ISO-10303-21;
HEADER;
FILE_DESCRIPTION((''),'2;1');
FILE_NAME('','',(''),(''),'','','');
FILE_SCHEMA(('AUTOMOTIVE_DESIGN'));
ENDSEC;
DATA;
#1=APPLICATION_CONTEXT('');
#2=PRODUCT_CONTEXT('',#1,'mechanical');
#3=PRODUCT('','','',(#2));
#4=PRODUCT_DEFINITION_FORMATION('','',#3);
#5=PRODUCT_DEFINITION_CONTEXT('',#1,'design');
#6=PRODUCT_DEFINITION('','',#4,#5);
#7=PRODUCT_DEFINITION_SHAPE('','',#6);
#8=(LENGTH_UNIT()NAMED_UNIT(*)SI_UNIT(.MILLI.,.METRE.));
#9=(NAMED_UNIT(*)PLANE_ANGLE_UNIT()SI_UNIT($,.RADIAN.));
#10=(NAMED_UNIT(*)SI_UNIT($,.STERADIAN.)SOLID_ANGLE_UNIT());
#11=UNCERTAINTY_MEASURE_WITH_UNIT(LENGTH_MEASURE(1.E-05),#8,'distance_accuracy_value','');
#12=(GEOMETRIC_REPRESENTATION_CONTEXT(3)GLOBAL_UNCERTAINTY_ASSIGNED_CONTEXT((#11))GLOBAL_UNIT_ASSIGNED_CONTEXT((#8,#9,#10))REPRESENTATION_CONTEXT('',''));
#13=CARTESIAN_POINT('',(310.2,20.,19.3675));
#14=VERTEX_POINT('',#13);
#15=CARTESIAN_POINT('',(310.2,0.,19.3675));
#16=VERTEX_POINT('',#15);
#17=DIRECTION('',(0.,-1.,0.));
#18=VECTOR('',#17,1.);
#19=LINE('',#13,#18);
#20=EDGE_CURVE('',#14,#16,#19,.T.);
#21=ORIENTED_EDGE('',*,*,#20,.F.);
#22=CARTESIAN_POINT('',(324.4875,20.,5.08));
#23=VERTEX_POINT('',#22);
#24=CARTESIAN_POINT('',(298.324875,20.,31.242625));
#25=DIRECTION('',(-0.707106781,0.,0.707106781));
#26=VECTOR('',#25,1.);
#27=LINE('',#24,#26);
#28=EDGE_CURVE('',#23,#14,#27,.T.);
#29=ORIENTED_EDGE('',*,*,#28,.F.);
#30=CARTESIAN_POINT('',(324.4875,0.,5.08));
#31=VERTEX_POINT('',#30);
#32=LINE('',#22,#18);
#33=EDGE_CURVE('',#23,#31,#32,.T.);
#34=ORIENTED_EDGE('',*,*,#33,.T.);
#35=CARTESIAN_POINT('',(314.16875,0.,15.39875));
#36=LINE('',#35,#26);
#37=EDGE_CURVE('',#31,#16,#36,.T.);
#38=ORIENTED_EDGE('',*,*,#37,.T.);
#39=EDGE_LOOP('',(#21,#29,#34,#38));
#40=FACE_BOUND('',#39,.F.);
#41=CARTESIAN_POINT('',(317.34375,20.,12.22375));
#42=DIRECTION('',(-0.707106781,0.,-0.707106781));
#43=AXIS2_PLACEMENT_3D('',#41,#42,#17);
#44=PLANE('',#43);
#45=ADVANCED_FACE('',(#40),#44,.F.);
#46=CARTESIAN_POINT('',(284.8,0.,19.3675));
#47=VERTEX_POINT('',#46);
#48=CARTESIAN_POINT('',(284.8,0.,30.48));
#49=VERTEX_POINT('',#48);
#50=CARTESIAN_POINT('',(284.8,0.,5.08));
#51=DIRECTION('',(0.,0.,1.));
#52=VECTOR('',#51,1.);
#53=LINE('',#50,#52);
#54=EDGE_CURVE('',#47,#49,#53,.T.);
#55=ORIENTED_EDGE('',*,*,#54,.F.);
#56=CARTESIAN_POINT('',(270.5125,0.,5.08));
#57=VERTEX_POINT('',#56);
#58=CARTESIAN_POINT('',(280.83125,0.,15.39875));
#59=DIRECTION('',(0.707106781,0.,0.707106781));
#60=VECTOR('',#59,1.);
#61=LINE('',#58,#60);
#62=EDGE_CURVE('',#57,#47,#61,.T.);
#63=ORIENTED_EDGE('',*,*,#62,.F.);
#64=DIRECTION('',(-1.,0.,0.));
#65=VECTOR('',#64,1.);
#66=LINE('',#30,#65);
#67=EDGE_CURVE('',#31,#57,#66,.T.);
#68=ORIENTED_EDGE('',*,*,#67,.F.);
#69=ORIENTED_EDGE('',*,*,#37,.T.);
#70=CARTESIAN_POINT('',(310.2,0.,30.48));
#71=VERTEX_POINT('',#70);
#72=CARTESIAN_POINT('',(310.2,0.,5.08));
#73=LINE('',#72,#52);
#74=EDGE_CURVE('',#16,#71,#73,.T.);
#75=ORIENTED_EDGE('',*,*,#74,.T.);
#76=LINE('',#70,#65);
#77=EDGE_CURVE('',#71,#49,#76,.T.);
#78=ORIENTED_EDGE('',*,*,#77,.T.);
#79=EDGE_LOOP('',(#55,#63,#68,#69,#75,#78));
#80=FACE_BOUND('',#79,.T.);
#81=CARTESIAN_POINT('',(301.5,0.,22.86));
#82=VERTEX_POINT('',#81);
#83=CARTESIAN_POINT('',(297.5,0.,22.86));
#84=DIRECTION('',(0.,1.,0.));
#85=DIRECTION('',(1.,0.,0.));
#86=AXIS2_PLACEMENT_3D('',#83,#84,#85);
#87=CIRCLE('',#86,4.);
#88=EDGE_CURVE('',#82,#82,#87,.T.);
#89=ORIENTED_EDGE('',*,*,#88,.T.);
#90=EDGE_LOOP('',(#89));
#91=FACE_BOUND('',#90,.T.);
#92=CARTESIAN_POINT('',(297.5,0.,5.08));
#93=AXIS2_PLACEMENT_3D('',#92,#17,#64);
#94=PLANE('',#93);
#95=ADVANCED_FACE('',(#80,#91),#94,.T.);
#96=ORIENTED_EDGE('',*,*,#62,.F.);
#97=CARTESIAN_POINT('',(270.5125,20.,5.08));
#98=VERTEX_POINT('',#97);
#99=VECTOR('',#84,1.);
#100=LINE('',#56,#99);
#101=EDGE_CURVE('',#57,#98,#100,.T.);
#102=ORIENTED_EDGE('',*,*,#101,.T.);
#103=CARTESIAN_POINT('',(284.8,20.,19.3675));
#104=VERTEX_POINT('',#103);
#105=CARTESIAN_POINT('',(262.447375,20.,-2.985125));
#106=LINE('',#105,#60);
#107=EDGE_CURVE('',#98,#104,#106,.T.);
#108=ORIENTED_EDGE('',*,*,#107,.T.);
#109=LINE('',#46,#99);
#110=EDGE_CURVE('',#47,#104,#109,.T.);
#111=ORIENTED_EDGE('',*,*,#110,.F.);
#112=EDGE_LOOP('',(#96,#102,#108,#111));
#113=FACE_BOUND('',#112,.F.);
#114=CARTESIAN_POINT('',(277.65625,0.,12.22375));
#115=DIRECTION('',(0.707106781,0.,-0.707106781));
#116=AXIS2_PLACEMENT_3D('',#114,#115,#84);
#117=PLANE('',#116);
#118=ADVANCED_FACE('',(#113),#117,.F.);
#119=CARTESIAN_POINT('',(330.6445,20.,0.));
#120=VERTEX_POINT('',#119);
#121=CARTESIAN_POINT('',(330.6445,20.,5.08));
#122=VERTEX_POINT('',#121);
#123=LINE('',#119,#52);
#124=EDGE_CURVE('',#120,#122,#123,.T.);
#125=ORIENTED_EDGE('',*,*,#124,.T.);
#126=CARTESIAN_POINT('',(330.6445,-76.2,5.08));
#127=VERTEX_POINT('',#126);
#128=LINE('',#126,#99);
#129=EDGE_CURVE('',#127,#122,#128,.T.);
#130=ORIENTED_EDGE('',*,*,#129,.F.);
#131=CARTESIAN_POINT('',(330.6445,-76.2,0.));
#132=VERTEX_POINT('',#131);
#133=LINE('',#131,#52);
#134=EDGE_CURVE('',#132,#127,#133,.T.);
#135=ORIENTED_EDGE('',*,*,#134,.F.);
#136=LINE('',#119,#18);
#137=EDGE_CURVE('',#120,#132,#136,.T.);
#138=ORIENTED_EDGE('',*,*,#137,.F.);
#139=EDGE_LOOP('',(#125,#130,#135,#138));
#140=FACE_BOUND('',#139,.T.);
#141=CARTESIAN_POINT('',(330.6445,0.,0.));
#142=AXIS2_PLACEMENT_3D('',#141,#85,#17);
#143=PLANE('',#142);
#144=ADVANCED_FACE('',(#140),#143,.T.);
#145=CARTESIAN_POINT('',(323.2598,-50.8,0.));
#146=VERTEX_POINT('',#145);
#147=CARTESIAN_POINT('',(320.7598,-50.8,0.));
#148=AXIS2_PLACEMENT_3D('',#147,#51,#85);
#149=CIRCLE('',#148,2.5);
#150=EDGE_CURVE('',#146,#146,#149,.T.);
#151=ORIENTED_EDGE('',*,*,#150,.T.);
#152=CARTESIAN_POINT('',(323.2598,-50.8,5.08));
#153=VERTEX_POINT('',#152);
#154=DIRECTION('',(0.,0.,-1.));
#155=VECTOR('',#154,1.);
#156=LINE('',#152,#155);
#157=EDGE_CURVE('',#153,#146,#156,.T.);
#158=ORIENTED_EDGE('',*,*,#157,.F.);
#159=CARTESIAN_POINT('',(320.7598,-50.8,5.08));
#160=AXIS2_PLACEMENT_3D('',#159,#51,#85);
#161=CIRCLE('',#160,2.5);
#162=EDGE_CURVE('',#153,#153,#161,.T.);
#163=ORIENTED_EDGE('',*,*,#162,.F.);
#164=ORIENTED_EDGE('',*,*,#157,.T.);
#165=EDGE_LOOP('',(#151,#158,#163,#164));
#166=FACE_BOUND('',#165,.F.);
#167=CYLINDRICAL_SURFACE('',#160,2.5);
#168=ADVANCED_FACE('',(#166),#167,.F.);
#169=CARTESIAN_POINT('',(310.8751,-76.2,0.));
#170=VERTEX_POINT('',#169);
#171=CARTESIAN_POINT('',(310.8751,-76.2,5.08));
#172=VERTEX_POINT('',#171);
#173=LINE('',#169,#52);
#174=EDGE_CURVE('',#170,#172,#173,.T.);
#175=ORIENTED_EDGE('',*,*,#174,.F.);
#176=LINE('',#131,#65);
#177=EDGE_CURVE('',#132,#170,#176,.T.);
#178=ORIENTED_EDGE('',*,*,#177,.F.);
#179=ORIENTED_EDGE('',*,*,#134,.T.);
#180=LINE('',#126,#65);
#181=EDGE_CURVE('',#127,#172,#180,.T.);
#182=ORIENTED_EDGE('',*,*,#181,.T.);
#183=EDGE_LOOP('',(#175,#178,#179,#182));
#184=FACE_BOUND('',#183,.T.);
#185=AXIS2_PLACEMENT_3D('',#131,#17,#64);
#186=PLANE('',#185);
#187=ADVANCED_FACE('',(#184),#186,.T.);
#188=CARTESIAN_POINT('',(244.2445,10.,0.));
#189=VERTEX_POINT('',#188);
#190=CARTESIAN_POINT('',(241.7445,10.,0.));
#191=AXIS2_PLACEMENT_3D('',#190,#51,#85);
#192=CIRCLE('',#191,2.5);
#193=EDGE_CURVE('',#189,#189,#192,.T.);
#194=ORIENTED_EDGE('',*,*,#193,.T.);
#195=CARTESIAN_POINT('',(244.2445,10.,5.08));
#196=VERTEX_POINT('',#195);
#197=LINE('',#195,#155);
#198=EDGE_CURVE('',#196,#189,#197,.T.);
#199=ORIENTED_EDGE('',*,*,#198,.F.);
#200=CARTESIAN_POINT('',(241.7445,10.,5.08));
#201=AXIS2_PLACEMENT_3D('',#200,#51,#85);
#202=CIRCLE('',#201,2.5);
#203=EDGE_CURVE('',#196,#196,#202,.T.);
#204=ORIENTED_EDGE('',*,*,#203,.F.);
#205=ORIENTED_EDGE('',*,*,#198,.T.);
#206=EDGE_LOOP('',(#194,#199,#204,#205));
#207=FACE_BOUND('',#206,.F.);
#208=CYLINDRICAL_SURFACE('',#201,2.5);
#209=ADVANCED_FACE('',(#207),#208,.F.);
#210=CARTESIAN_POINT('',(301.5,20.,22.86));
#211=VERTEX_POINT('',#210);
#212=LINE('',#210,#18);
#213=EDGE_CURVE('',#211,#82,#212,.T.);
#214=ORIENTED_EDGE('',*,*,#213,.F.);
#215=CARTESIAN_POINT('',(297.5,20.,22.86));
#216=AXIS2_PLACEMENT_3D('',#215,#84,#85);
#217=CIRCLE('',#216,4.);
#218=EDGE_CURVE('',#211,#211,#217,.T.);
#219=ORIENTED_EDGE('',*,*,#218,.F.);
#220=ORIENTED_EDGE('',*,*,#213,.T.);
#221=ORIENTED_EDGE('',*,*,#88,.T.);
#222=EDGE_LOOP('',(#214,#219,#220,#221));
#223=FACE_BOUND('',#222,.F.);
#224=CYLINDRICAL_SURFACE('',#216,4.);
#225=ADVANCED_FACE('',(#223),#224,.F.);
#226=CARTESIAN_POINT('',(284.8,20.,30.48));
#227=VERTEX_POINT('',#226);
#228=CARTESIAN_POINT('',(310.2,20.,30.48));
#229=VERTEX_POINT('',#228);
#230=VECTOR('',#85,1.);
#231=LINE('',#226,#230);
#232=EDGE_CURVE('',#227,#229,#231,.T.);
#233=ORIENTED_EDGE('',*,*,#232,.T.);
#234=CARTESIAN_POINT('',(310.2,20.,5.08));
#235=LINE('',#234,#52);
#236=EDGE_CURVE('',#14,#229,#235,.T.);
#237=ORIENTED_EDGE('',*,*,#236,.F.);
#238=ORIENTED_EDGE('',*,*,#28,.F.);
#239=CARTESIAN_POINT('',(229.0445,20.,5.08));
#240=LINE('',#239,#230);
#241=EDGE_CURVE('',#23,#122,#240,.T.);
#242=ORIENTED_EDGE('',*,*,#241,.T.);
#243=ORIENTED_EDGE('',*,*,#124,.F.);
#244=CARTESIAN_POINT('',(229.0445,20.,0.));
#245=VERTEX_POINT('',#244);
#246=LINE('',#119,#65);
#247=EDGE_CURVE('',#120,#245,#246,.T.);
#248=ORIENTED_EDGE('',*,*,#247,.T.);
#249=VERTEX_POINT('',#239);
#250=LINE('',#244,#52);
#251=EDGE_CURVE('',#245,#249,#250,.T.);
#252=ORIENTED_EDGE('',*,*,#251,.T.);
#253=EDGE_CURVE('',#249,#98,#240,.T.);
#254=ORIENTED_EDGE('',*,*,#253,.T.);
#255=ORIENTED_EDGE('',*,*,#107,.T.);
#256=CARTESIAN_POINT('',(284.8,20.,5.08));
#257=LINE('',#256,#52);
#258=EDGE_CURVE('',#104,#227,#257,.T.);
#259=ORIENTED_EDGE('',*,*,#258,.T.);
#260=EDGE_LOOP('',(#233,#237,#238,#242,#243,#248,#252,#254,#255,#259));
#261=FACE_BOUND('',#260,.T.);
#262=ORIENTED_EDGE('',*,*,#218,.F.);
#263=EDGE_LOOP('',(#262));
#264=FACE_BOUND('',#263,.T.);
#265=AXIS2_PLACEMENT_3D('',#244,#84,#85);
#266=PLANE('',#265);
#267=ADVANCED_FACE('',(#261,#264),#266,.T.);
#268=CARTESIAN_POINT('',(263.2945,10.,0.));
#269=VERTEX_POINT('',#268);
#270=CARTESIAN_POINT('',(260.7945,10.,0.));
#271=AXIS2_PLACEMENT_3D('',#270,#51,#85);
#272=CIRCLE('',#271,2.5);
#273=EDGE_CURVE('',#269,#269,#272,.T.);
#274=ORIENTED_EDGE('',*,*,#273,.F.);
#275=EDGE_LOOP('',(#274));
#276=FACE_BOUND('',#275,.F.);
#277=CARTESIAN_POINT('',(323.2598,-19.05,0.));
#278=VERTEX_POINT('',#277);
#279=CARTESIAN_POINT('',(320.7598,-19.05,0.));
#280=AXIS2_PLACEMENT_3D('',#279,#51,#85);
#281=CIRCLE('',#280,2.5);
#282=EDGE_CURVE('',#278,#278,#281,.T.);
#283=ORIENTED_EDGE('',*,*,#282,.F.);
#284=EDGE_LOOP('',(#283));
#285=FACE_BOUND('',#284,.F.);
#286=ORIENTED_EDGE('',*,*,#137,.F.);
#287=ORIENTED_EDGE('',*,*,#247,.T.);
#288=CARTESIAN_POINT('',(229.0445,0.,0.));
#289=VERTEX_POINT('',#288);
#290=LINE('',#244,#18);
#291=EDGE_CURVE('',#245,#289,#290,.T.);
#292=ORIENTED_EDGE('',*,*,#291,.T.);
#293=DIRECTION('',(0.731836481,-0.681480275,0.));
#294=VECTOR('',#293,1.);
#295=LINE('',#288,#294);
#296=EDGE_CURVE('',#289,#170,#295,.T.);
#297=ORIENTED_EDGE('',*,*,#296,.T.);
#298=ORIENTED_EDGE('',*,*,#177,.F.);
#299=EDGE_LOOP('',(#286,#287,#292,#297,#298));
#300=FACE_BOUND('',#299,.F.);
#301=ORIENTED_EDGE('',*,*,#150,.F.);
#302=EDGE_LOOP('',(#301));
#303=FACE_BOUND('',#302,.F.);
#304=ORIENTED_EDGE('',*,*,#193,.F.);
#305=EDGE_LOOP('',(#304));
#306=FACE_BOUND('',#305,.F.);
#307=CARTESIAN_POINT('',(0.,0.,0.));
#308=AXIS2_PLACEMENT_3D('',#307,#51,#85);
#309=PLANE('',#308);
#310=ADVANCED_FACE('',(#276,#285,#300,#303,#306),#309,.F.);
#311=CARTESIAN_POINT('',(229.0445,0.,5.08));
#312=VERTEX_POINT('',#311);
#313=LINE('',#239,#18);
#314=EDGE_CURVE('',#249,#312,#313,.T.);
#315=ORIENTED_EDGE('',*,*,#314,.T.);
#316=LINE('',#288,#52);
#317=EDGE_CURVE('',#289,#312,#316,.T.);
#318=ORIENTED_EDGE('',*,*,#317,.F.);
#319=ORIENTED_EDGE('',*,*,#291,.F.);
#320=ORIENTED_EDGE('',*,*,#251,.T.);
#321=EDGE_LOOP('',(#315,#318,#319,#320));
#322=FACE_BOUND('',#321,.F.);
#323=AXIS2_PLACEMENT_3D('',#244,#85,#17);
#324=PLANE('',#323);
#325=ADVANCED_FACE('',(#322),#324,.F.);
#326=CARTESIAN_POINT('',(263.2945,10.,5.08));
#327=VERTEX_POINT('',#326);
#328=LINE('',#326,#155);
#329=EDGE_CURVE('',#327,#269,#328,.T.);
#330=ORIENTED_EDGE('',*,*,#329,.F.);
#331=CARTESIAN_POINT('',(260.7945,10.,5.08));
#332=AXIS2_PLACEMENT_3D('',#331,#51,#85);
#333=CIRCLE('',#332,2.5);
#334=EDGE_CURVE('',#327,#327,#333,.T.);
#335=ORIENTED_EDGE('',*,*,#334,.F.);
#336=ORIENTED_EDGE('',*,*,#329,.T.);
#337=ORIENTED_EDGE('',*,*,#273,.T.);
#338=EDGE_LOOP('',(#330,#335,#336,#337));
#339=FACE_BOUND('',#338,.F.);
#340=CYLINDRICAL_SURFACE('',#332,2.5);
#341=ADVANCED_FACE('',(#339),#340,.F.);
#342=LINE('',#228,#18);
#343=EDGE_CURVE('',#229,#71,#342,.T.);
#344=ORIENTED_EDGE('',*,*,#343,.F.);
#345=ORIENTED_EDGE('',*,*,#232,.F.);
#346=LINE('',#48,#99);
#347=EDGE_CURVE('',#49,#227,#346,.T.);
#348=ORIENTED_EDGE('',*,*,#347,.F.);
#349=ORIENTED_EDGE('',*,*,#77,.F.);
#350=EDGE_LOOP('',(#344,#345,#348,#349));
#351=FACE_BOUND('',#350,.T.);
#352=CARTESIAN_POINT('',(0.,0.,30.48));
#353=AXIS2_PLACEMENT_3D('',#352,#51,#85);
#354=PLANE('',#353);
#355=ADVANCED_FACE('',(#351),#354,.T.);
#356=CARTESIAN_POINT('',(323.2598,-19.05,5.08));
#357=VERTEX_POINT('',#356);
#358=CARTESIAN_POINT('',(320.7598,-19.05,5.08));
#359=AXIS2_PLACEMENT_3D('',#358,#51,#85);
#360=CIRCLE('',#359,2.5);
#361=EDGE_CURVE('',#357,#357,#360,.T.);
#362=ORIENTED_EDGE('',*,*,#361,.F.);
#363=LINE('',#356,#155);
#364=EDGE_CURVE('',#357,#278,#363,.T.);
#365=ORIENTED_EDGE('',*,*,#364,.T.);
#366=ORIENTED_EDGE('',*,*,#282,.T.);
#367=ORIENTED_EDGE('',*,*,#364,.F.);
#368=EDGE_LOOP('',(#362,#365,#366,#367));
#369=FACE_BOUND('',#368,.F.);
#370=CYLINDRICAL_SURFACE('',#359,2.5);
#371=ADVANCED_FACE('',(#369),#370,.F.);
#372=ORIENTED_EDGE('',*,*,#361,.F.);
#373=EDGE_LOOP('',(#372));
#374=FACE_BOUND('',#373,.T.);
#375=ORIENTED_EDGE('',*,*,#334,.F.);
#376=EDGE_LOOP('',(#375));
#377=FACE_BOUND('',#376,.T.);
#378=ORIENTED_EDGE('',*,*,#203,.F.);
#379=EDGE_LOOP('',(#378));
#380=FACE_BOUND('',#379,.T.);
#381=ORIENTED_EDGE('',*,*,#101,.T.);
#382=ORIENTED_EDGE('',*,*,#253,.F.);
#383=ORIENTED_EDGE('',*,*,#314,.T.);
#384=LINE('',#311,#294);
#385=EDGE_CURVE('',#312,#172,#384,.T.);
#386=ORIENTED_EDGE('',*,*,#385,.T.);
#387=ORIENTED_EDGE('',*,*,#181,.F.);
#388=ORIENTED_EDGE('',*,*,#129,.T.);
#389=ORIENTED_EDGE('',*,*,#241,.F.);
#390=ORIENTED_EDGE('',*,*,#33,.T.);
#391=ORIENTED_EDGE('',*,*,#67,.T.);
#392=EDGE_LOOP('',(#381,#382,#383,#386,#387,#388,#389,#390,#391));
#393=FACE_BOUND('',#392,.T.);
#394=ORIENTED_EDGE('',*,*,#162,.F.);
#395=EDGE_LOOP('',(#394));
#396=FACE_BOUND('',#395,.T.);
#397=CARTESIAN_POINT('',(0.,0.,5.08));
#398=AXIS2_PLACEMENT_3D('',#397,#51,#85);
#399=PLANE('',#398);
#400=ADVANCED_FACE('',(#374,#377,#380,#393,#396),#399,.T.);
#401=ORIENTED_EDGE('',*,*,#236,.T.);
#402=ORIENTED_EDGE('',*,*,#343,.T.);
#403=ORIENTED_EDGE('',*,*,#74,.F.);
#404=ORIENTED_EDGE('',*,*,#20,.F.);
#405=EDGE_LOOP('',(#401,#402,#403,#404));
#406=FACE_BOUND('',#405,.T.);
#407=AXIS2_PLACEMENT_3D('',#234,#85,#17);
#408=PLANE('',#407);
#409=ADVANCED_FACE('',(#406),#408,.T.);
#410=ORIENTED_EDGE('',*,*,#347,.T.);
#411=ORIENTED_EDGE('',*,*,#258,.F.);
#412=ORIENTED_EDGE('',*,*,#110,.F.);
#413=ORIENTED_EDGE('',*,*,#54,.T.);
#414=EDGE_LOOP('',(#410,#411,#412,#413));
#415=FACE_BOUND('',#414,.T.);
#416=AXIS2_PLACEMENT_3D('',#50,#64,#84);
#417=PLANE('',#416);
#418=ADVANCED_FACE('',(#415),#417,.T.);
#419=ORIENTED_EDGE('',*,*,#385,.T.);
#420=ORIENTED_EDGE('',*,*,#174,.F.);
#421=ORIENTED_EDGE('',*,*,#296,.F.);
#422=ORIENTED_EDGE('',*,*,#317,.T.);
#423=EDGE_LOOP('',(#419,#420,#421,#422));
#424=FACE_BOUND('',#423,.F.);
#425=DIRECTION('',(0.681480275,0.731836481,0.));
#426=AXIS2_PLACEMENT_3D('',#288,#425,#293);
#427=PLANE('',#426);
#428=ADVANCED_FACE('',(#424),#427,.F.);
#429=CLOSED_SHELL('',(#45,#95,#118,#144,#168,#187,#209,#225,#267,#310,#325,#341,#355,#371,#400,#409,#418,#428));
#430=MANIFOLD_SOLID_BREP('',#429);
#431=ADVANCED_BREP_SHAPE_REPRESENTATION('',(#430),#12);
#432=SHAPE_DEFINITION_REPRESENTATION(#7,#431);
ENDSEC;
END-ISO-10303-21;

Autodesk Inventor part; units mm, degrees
ref_plane "YZ Plane" through (0, 0, 0) normal (1, 0, 0) x (0, 1, 0)
ref_plane "XZ Plane" through (0, 0, 0) normal (0, 1, 0) x (-1, 0, 0)
ref_plane "XY Plane" through (0, 0, 0) normal (0, 0, 1) x (1, 0, 0)
ref_plane "Work Plane1" through (0, 0, 0) normal (0, 0, 1) x (1, 0, 0)
sketch "Sketch1" plane through (0, 0, 0) normal (0, 0, 1) x (1, 0, 0)
  line L0 (0, 0) -> (304.8, 0)
  line L1 (304.8, 0) -> (292.1, 0)
  line L2 (-330.2, 20) -> (330.2, 20) projected
  line L3 (-330.2, 0) -> (-330.2, 20) projected
  line L4 (330.2, 0) -> (-330.2, 0) projected
  line L5 (330.2, 20) -> (330.2, 0) projected
  line L6 (292.1, 0) -> (292.1, 10)
  line L7 (330.6445, 0) -> (253.5555, 0)
  line L8 (253.5555, 0) -> (253.5555, 20)
  line L9 (253.5555, 20) -> (330.6445, 20)
  line L10 (330.6445, 20) -> (330.6445, 0)
  line L11 (330.6445, 0) -> (253.5555, 20) construction
  line L12 (253.5555, 0) -> (330.6445, 20) construction
  line L13 (330.6445, 0) -> (330.6445, -76.2)
  line L14 (330.6445, 0) -> (406.8445, 0) construction
  line L15 (330.6445, -76.2) -> (310.8751, -76.2)
  line L16 (330.6445, 20) -> (229.0445, 20)
  line L17 (229.0445, 20) -> (229.0445, 0)
  line L18 (229.0445, 0) -> (310.8751, -76.2)
  line L19 (310.8751, -76.2) -> (310.8751, 0)
  dimension "d0" = 304.8
  dimension "d1" = 12.7
  dimension "d2" = 76.2
  dimension "d3" = 90
  dimension "d4" = 101.6
extrude "Extrusion1" add sketch "Sketch1" along normal blind 5.08 contours L17 L2 L8 L0 | L0 L4 L19 L18 | L8 L2 L5 L4 L0 | L19 L4 L7 L13 L15 | L9 L10 L7 L5
sketch "Sketch2" plane through (0, 0, 5.08) normal (0, 0, 1) x (1, 0, 0)
  line L0 (310.2, -876.3) -> (310.2, 0) projected
  line L1 (310.2, 0) -> (297.5, 0)
  line L2 (297.5, 0) -> (297.5, 10)
  line L3 (284.8, 20) -> (310.2, 20)
  line L4 (310.2, 20) -> (310.2, 0)
  line L5 (310.2, 0) -> (284.8, 0)
  line L6 (284.8, 0) -> (284.8, 20)
  line L7 (284.8, 20) -> (310.2, 0) construction
  line L8 (310.2, 20) -> (284.8, 0) construction
  point P0 (0, 0)
  dimension "d7" = 12.7
  dimension "d8" = 10
  dimension "d9" = 90
extrude "Extrusion2" add sketch "Sketch2" along normal blind 25.4
sketch "Sketch3" plane through (229.0445, 20, 0) normal (0, 1, 0) x (1, 0, 0)
  line L0 (101.6, 0) -> (0, 0) projected
  line L1 (0, 0) -> (0, -5.08) projected
  line L2 (55.7555, -5.08) -> (0, -5.08) projected
  line L3 (55.7555, -5.08) -> (55.7555, -30.48) projected
  line L4 (81.1555, -30.48) -> (55.7555, -30.48) projected
  line L5 (81.1555, -5.08) -> (81.1555, -30.48) projected
  line L6 (101.6, -5.08) -> (81.1555, -5.08) projected
  line L7 (101.6, 0) -> (101.6, -5.08) projected
  circle A0 centre (68.4555, -22.86) radius 4
  point P0 (-229.0445, 0)
  dimension "d12" = 8
  dimension "d13" = 7.62
extrude "Extrusion3" cut sketch "Sketch3" against normal blind 101.6 contours A0
chamfer "Chamfer1" distance 14.2875 angle 45 2 edges at (284.8, 10, 5.08) (310.2, 10, 5.08)
sketch "Sketch4" plane through (0, 0, 5.08) normal (0, 0, 1) x (1, 0, 0)
  line L0 (324.4875, 0) -> (324.4875, 20) projected
  line L1 (324.4875, 0) -> (270.5125, 0) projected
  line L2 (270.5125, 20) -> (270.5125, 0) projected
  line L3 (270.5125, 20) -> (229.0445, 20) projected
  line L4 (229.0445, 20) -> (229.0445, 0) projected
  line L5 (229.0445, 0) -> (310.8751, -76.2) projected
  line L6 (310.8751, -76.2) -> (330.6445, -76.2) projected
  line L7 (330.6445, -76.2) -> (330.6445, 20) projected
  line L8 (330.6445, 20) -> (324.4875, 20) projected
  line L9 (330.2, 0) -> (330.2, -876.3) projected
  line L10 (310.2, 0) -> (330.2, 0) projected
  line L11 (310.2, -876.3) -> (310.2, 0) projected
  line L12 (330.2, -876.3) -> (310.2, -876.3) projected
  line L13 (324.4875, 0) -> (324.4875, 20) projected
  line L14 (324.4875, 0) -> (270.5125, 0) projected
  line L15 (270.5125, 20) -> (270.5125, 0) projected
  line L16 (270.5125, 20) -> (229.0445, 20) projected
  line L17 (229.0445, 20) -> (229.0445, 0) projected
  line L18 (229.0445, 0) -> (310.8751, -76.2) projected
  line L19 (310.8751, -76.2) -> (330.6445, -76.2) projected
  line L20 (330.6445, -76.2) -> (330.6445, 20) projected
  line L21 (330.6445, 20) -> (324.4875, 20) projected
  line L22 (330.2, 0) -> (-330.2, 0) projected
  circle A0 centre (320.7598, -50.8) radius 2.5
  circle A1 centre (320.7598, -19.05) radius 2.5
  circle A2 centre (241.7445, 10) radius 2.5
  circle A3 centre (260.7945, 10) radius 2.5
  point P0 (0, 0)
  dimension "d19" = 5
  dimension "d20" = 5
  dimension "d21" = 31.75
  dimension "d22" = 25.4
  dimension "d23" = 5
  dimension "d24" = 5
  dimension "d25" = 12.7
  dimension "d26" = 19.05
extrude "Extrusion4" cut sketch "Sketch4" against normal blind 101.6 contours A0 | A1 | A2 | A3
properties part number "Bed Bracket"
